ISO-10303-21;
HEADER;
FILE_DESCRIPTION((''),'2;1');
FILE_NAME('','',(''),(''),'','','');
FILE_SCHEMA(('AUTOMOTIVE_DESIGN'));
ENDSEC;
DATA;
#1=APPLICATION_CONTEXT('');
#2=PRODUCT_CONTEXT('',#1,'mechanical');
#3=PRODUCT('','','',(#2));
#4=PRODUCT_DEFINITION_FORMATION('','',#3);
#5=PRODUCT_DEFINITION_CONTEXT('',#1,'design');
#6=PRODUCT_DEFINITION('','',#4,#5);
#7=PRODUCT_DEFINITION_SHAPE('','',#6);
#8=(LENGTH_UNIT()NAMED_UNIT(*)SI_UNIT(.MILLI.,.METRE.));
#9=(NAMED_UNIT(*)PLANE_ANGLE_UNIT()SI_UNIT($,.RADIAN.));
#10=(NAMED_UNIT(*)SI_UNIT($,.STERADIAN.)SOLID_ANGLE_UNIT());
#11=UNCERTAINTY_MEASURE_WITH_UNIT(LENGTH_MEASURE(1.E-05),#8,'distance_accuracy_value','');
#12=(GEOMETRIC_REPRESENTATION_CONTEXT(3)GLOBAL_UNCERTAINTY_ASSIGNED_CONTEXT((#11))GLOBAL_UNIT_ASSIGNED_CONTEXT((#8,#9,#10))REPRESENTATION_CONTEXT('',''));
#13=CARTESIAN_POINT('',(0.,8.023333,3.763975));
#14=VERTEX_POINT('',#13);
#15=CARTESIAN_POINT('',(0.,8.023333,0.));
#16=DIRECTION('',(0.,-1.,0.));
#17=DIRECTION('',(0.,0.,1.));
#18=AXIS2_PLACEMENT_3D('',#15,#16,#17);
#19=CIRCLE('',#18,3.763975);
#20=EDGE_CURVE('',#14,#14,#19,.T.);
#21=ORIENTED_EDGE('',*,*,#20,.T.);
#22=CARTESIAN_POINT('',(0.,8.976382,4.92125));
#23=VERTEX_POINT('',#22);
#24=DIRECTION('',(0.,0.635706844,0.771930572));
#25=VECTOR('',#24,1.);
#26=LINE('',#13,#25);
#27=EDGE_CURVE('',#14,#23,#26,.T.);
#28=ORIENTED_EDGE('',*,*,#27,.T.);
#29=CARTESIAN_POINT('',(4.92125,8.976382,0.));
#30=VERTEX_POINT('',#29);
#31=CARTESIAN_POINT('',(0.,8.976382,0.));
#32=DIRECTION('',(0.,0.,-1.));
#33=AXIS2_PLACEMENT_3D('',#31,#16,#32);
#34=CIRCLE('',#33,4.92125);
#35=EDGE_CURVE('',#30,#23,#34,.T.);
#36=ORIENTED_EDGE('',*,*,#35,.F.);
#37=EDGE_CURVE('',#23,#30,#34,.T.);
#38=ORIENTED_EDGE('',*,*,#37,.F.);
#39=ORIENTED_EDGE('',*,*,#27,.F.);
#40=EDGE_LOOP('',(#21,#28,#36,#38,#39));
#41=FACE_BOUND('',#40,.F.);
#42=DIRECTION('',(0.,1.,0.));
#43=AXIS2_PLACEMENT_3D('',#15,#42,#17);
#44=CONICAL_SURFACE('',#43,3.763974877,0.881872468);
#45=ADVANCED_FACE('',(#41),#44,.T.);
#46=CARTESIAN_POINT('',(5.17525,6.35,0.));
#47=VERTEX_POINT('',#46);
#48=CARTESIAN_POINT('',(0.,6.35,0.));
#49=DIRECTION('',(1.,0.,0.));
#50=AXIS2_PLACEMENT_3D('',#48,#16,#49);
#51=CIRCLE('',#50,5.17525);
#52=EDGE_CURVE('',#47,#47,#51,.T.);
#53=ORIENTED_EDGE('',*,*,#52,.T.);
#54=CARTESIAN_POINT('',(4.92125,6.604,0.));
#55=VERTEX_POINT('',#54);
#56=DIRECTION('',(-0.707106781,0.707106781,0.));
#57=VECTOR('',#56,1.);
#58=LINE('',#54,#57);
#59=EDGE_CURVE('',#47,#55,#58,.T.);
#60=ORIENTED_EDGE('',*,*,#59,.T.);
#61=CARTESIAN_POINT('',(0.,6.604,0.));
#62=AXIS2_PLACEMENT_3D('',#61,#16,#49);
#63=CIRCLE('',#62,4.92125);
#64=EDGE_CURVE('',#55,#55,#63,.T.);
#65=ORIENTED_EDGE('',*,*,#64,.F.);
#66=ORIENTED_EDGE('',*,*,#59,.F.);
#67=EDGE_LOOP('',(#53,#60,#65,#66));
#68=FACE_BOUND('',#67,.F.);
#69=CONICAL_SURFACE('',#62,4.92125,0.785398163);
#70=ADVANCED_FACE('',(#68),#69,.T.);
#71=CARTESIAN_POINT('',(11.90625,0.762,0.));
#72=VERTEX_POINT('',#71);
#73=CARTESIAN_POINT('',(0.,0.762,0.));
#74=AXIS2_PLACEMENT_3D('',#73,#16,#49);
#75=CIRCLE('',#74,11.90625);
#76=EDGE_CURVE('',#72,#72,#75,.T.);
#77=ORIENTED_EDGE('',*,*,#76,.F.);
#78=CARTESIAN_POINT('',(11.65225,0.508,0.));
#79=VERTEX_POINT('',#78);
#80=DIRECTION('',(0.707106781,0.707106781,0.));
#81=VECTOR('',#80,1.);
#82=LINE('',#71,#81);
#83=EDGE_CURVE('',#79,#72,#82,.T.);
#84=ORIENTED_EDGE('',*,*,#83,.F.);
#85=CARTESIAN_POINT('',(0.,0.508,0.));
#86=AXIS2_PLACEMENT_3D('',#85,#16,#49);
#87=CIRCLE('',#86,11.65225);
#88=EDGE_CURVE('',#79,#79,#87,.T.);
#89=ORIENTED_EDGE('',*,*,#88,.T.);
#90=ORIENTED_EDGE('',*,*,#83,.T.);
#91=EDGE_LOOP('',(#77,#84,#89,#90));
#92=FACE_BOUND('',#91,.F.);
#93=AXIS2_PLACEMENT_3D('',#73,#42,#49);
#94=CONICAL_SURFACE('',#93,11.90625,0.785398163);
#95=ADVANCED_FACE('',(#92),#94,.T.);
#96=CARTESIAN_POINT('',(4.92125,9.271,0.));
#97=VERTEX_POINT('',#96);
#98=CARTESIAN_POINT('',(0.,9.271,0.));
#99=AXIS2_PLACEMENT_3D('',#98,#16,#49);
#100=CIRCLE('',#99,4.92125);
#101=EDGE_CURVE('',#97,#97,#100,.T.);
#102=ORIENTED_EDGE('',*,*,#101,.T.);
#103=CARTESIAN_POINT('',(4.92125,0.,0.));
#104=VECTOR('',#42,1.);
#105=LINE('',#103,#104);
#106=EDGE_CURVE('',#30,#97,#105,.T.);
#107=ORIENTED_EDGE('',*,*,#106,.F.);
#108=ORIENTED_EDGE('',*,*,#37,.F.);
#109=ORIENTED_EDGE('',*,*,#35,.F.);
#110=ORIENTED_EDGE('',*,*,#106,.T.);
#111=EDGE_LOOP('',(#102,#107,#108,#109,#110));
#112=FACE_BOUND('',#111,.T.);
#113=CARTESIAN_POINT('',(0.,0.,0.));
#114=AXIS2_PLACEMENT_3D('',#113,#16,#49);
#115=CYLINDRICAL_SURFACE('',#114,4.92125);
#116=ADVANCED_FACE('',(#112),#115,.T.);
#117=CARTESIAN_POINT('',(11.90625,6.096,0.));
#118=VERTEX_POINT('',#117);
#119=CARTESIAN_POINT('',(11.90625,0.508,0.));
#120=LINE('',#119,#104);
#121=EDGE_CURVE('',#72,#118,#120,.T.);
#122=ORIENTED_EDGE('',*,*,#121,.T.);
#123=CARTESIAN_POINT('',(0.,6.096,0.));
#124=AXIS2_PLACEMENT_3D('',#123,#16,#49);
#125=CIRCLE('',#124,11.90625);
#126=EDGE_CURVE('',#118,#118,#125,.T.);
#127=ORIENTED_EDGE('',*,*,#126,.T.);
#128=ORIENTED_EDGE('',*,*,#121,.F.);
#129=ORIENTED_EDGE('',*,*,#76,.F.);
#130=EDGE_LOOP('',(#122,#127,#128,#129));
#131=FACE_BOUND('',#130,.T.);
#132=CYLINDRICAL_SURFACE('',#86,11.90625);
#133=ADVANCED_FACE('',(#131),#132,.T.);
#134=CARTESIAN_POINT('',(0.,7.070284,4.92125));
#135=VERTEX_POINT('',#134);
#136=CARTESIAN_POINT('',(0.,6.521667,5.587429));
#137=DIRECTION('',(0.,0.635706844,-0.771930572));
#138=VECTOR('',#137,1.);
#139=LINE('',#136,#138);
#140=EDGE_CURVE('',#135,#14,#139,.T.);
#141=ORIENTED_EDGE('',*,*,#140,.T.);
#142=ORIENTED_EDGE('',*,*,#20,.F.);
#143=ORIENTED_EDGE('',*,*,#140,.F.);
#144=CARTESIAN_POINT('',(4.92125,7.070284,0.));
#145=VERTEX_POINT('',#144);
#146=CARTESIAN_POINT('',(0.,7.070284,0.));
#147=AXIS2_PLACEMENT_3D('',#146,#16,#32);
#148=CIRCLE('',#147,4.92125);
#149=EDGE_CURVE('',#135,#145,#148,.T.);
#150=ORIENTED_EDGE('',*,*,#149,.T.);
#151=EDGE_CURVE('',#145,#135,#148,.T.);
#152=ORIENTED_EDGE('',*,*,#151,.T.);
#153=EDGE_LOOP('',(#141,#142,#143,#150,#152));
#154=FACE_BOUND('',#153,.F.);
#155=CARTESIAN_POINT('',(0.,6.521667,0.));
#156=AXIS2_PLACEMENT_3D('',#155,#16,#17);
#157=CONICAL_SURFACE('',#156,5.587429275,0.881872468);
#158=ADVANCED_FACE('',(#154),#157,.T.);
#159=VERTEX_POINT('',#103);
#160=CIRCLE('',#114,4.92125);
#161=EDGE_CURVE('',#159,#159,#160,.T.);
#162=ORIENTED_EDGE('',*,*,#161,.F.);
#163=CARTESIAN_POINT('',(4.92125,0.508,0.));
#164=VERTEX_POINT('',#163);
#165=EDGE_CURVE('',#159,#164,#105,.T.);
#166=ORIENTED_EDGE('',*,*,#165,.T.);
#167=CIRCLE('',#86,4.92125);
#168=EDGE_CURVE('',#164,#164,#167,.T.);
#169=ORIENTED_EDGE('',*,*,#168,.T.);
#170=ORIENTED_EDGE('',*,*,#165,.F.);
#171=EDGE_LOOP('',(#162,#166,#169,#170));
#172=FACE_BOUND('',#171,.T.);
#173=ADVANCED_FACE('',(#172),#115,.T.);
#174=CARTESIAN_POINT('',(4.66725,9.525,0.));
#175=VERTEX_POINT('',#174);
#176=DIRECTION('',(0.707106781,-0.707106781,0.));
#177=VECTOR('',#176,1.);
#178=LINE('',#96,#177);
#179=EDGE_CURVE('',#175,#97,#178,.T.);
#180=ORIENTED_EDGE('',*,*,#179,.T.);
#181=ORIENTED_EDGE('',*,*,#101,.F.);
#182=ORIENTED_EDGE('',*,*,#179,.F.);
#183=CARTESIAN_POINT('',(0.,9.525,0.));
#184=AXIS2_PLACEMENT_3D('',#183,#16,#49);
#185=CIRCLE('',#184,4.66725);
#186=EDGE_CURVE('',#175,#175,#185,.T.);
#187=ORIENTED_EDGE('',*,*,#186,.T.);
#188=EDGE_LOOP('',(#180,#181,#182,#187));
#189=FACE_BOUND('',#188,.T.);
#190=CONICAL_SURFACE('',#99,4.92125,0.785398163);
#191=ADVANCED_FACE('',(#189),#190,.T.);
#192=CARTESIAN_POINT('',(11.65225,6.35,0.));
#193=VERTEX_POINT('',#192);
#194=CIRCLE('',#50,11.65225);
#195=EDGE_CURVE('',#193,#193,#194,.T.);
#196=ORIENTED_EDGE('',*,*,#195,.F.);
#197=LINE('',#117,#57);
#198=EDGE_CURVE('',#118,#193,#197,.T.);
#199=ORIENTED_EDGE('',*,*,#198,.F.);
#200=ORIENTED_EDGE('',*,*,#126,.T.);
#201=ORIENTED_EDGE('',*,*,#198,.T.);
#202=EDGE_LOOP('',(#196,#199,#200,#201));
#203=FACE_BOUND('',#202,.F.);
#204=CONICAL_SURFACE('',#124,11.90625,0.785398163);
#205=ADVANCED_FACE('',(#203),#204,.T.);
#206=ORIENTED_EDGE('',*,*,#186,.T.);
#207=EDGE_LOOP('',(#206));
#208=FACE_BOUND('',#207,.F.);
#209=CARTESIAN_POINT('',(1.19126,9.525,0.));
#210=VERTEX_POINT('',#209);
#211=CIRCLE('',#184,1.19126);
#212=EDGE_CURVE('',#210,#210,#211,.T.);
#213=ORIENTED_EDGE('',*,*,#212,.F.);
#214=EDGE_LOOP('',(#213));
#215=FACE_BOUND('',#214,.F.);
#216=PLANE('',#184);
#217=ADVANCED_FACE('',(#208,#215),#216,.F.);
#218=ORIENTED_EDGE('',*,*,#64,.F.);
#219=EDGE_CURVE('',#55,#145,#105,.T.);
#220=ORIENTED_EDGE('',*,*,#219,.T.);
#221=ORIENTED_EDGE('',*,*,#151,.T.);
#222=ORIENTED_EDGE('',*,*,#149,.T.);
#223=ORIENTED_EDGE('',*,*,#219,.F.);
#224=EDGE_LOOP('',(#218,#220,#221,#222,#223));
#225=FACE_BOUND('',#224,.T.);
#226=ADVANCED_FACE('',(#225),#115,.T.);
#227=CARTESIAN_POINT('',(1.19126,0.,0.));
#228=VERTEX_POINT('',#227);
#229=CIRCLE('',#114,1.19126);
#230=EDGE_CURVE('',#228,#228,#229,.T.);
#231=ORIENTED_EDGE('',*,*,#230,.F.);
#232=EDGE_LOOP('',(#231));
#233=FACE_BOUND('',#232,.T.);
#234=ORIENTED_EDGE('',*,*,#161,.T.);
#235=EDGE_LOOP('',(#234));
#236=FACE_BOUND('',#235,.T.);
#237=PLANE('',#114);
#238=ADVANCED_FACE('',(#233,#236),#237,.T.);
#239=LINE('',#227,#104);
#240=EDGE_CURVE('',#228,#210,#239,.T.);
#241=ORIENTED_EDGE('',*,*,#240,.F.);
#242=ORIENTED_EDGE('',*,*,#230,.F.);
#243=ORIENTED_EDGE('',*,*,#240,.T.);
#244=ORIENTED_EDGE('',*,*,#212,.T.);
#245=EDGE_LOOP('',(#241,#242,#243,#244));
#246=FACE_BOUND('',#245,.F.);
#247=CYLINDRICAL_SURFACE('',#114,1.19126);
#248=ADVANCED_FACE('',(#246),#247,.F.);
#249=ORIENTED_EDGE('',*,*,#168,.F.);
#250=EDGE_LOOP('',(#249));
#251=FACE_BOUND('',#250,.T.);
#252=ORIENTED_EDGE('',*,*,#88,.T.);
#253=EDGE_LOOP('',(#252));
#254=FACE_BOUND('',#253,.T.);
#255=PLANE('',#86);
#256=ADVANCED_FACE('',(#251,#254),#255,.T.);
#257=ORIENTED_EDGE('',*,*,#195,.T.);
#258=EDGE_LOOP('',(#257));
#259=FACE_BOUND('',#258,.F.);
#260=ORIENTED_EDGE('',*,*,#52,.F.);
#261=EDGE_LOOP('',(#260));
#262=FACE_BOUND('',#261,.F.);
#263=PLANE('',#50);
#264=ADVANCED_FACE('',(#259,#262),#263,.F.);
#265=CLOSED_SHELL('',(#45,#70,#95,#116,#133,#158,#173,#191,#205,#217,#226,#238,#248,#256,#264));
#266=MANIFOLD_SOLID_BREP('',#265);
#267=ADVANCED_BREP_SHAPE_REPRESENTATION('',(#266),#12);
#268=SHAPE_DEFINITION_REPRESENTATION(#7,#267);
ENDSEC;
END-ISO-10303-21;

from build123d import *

# Parameters (mm, degrees)
F1_START = -0.508
F0_R     = 11.90625
F0_R_2   = 4.92125
F1_DEPTH = 5.842
F0_R_3   = 1.19126
F2_DEPTH = 9.525
F3_SIZE  = 0.254


with BuildPart() as f1:
    # F0 (on Front) → F1 (new body)
    with BuildSketch(Plane.XZ.offset(F1_START)):
        Circle(F0_R)
        Circle(F0_R_2, mode=Mode.SUBTRACT)
    extrude(amount=-F1_DEPTH)

    # F0 (on Front) → F2 (join)
    with BuildSketch(Plane.XZ):
        Circle(F0_R_2)
        Circle(F0_R_3, mode=Mode.SUBTRACT)
    extrude(amount=-F2_DEPTH)

    # F3
    f3_edges = [f1.edges().sort_by_distance(p)[0] for p in [
        (-11.90625, 6.35, 0),
        (-11.90625, 0.508, 0),
        (-4.92125, 9.525, 0),
        (-4.92125, 6.35, 0),
    ]]
    chamfer(f3_edges, length=F3_SIZE)

    # F4 (on Right) → F5 (revolve, cut)
    with BuildSketch(Plane.YZ):
        Polygon((6.5216665858, 5.5874292748), (8.0233332929, 3.7639748771), (9.525, 5.5874292748), align=None)
    revolve(axis=Axis((0, 0, 0), (0, -1, 0)), mode=Mode.SUBTRACT)


solid = f1.part
